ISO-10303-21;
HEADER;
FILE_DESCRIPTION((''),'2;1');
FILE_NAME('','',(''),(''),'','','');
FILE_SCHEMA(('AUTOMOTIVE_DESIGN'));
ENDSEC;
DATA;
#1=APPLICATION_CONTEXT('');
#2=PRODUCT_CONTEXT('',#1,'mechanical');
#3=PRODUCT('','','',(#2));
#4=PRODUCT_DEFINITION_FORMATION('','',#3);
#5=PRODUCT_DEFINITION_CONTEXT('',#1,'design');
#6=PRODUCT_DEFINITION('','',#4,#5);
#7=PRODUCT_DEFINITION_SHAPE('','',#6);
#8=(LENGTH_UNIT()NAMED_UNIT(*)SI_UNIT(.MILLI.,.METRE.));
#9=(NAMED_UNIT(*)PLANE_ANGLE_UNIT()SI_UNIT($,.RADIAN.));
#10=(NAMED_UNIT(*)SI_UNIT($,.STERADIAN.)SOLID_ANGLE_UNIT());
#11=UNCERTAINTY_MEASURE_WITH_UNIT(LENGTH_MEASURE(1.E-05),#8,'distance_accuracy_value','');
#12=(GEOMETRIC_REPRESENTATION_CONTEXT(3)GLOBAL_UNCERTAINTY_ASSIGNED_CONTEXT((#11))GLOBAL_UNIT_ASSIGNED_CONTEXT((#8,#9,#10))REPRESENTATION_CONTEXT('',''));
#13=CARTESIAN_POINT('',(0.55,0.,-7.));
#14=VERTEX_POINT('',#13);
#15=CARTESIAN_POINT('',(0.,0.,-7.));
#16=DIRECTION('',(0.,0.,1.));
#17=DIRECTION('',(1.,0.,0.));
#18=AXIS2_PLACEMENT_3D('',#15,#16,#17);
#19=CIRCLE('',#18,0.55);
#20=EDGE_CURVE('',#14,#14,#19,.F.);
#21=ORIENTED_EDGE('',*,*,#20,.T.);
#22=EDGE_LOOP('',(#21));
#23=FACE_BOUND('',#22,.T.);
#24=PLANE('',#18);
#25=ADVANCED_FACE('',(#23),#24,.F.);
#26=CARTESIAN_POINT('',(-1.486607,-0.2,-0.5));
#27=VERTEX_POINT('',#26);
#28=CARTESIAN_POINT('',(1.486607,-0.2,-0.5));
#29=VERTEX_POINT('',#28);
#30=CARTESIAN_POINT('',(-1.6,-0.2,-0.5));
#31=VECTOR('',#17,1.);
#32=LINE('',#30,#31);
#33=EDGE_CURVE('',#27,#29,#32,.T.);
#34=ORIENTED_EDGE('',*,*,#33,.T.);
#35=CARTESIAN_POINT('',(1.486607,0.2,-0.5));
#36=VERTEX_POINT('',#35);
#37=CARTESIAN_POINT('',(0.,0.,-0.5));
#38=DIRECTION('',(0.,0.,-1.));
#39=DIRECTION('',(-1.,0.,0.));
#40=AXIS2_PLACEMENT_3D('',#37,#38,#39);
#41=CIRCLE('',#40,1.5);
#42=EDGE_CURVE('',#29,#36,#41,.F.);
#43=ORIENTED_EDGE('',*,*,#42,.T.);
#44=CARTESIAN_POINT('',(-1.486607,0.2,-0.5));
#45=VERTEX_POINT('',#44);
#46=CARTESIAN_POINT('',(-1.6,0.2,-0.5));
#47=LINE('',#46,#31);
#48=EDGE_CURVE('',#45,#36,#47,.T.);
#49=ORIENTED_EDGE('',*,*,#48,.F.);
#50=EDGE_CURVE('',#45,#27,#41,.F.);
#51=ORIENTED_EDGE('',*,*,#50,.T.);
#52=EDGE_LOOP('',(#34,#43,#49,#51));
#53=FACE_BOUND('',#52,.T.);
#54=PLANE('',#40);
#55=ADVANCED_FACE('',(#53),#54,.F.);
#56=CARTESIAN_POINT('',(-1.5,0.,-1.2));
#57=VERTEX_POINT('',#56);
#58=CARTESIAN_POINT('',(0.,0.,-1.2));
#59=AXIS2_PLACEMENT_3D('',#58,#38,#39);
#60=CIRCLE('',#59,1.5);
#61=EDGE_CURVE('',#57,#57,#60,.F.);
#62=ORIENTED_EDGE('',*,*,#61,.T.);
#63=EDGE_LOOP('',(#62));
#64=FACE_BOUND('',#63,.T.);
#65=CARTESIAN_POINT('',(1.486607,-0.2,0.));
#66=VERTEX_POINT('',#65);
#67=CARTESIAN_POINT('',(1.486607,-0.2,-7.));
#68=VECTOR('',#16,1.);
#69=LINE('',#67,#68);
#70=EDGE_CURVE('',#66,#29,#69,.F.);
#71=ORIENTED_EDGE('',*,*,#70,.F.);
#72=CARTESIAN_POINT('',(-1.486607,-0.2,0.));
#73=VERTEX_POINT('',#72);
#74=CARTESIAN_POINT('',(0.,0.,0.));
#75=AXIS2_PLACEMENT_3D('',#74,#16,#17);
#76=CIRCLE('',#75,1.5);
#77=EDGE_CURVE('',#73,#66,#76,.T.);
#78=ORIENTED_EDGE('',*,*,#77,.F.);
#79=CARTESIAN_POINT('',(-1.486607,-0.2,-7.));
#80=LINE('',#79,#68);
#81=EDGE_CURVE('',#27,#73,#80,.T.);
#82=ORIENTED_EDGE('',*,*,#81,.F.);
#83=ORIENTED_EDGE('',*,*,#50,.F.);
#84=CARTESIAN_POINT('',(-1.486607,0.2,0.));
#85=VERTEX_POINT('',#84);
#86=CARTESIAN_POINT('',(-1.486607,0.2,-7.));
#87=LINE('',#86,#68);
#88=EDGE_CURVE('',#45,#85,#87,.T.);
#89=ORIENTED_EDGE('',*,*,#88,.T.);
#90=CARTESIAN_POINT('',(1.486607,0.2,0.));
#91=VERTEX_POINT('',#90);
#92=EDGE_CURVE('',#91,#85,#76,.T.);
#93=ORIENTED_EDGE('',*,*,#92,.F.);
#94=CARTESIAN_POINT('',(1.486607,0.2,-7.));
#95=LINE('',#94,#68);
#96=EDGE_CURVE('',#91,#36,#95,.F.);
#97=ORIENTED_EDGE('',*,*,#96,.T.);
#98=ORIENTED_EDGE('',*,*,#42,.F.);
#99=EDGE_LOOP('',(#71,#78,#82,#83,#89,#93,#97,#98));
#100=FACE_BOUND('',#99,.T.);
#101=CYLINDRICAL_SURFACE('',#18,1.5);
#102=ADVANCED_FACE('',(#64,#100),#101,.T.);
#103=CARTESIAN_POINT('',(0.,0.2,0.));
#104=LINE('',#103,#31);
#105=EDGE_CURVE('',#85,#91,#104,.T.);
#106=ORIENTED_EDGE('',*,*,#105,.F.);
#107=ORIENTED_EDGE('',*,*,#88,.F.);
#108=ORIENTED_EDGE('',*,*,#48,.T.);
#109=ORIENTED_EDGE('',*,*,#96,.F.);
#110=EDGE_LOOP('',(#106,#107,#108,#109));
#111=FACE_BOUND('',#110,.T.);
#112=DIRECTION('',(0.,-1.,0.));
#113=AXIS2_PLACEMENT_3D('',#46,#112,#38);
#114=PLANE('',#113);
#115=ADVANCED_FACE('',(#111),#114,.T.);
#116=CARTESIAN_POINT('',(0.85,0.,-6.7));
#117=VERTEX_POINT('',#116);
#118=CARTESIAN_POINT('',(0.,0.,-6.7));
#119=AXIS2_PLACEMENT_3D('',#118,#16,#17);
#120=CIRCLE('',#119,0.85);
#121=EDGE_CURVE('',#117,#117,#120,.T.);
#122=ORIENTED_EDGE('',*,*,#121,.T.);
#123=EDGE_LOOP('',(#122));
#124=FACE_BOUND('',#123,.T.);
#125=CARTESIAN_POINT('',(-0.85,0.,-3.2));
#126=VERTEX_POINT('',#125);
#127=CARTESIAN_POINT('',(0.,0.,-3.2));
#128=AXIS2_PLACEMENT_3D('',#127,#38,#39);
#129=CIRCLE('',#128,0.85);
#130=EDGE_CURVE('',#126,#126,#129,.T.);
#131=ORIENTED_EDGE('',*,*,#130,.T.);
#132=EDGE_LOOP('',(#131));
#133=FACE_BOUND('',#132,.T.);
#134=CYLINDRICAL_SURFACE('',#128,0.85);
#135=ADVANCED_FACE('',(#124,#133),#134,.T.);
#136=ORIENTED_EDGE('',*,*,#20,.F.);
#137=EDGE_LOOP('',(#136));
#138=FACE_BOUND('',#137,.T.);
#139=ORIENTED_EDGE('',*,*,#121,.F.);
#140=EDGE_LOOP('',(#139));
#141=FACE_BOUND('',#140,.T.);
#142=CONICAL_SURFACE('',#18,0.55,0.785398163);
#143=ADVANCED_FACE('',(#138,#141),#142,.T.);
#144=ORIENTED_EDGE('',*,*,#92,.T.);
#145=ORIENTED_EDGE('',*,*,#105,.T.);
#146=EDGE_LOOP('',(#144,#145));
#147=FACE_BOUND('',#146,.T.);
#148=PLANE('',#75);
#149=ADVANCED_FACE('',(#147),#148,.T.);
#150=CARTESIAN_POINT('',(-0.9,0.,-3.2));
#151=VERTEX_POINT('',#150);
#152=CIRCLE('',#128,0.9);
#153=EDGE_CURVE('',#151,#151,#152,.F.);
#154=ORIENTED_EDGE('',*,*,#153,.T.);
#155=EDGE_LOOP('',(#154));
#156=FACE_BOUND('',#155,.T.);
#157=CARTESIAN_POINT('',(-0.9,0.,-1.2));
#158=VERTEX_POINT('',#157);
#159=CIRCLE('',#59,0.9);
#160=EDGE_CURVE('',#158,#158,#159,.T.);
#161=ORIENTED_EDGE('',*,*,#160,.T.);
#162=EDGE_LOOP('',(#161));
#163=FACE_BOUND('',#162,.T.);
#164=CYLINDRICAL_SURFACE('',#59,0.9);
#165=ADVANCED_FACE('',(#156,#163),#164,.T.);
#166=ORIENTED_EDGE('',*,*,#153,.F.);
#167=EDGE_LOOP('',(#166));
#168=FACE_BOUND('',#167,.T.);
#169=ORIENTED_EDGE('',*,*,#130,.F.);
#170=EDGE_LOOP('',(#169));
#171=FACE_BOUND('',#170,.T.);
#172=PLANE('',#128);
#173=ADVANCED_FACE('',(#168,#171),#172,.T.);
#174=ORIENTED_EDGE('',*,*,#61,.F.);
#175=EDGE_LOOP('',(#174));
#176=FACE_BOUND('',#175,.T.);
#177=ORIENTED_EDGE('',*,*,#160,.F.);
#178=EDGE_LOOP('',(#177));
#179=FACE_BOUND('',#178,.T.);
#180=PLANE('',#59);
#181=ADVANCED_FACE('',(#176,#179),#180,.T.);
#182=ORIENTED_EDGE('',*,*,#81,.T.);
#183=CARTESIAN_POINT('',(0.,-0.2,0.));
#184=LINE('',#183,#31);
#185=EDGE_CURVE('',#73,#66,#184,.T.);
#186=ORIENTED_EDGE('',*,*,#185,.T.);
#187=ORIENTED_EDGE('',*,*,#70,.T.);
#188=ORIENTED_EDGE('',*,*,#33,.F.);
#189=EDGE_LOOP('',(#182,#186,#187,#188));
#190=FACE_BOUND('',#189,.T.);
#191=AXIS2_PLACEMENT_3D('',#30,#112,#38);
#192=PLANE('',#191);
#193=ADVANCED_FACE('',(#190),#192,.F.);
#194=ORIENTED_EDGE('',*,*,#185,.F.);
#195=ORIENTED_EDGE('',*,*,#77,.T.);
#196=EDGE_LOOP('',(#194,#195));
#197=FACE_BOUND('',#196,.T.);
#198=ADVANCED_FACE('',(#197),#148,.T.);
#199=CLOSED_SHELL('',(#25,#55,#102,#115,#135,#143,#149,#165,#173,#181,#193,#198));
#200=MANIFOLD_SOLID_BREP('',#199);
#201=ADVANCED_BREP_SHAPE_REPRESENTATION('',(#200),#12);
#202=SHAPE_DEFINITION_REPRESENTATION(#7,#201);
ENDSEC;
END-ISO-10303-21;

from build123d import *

# Parameters (mm, degrees)
SKETCH2_R           = 1.5
BOSS_EXTRUDE1_DEPTH = 7
SKETCH4_OUTSIDE_W   = 6.638
SKETCH4_OUTSIDE_H   = 6.638
SKETCH4_OUTSIDE_R   = 0.9
CUT_EXTRUDE1_DEPTH  = 5.8
SKETCH5_OUTSIDE_W   = 6.638
SKETCH5_OUTSIDE_H   = 6.638
SKETCH5_OUTSIDE_R   = 0.85
CUT_EXTRUDE2_DEPTH  = 3.8
SKETCH6_W           = 3.2
SKETCH6_H           = 0.4
CUT_EXTRUDE3_DEPTH  = 0.5
CHAMFER1_SIZE       = 0.3


with BuildPart() as part:
    # Sketch2 → Boss-Extrude1 (new body)
    with BuildSketch(Plane.XY):
        Circle(SKETCH2_R)
    extrude(amount=-BOSS_EXTRUDE1_DEPTH)

    # Sketch4 outside → Cut-Extrude1 (cut)
    with BuildSketch(Plane(origin=(0, 0, -7), x_dir=(-1, 0, 0), z_dir=(0, 0, -1))):
        Rectangle(SKETCH4_OUTSIDE_W, SKETCH4_OUTSIDE_H)
        Circle(SKETCH4_OUTSIDE_R, mode=Mode.SUBTRACT)
    extrude(amount=-CUT_EXTRUDE1_DEPTH, mode=Mode.SUBTRACT)

    # Sketch5 outside → Cut-Extrude2 (cut)
    with BuildSketch(Plane(origin=(0, 0, -7), x_dir=(-1, 0, 0), z_dir=(0, 0, -1))):
        Rectangle(SKETCH5_OUTSIDE_W, SKETCH5_OUTSIDE_H)
        Circle(SKETCH5_OUTSIDE_R, mode=Mode.SUBTRACT)
    extrude(amount=-CUT_EXTRUDE2_DEPTH, mode=Mode.SUBTRACT)

    # Sketch6 → Cut-Extrude3 (cut)
    with BuildSketch(Plane.XY):
        Rectangle(SKETCH6_W, SKETCH6_H)
    extrude(amount=-CUT_EXTRUDE3_DEPTH, mode=Mode.SUBTRACT)

    # Chamfer1
    chamfer1_edges = [part.edges().sort_by_distance(p)[0] for p in [
        (0.85, 0, -7),
    ]]
    chamfer(chamfer1_edges, length=CHAMFER1_SIZE)


solid = part.part
